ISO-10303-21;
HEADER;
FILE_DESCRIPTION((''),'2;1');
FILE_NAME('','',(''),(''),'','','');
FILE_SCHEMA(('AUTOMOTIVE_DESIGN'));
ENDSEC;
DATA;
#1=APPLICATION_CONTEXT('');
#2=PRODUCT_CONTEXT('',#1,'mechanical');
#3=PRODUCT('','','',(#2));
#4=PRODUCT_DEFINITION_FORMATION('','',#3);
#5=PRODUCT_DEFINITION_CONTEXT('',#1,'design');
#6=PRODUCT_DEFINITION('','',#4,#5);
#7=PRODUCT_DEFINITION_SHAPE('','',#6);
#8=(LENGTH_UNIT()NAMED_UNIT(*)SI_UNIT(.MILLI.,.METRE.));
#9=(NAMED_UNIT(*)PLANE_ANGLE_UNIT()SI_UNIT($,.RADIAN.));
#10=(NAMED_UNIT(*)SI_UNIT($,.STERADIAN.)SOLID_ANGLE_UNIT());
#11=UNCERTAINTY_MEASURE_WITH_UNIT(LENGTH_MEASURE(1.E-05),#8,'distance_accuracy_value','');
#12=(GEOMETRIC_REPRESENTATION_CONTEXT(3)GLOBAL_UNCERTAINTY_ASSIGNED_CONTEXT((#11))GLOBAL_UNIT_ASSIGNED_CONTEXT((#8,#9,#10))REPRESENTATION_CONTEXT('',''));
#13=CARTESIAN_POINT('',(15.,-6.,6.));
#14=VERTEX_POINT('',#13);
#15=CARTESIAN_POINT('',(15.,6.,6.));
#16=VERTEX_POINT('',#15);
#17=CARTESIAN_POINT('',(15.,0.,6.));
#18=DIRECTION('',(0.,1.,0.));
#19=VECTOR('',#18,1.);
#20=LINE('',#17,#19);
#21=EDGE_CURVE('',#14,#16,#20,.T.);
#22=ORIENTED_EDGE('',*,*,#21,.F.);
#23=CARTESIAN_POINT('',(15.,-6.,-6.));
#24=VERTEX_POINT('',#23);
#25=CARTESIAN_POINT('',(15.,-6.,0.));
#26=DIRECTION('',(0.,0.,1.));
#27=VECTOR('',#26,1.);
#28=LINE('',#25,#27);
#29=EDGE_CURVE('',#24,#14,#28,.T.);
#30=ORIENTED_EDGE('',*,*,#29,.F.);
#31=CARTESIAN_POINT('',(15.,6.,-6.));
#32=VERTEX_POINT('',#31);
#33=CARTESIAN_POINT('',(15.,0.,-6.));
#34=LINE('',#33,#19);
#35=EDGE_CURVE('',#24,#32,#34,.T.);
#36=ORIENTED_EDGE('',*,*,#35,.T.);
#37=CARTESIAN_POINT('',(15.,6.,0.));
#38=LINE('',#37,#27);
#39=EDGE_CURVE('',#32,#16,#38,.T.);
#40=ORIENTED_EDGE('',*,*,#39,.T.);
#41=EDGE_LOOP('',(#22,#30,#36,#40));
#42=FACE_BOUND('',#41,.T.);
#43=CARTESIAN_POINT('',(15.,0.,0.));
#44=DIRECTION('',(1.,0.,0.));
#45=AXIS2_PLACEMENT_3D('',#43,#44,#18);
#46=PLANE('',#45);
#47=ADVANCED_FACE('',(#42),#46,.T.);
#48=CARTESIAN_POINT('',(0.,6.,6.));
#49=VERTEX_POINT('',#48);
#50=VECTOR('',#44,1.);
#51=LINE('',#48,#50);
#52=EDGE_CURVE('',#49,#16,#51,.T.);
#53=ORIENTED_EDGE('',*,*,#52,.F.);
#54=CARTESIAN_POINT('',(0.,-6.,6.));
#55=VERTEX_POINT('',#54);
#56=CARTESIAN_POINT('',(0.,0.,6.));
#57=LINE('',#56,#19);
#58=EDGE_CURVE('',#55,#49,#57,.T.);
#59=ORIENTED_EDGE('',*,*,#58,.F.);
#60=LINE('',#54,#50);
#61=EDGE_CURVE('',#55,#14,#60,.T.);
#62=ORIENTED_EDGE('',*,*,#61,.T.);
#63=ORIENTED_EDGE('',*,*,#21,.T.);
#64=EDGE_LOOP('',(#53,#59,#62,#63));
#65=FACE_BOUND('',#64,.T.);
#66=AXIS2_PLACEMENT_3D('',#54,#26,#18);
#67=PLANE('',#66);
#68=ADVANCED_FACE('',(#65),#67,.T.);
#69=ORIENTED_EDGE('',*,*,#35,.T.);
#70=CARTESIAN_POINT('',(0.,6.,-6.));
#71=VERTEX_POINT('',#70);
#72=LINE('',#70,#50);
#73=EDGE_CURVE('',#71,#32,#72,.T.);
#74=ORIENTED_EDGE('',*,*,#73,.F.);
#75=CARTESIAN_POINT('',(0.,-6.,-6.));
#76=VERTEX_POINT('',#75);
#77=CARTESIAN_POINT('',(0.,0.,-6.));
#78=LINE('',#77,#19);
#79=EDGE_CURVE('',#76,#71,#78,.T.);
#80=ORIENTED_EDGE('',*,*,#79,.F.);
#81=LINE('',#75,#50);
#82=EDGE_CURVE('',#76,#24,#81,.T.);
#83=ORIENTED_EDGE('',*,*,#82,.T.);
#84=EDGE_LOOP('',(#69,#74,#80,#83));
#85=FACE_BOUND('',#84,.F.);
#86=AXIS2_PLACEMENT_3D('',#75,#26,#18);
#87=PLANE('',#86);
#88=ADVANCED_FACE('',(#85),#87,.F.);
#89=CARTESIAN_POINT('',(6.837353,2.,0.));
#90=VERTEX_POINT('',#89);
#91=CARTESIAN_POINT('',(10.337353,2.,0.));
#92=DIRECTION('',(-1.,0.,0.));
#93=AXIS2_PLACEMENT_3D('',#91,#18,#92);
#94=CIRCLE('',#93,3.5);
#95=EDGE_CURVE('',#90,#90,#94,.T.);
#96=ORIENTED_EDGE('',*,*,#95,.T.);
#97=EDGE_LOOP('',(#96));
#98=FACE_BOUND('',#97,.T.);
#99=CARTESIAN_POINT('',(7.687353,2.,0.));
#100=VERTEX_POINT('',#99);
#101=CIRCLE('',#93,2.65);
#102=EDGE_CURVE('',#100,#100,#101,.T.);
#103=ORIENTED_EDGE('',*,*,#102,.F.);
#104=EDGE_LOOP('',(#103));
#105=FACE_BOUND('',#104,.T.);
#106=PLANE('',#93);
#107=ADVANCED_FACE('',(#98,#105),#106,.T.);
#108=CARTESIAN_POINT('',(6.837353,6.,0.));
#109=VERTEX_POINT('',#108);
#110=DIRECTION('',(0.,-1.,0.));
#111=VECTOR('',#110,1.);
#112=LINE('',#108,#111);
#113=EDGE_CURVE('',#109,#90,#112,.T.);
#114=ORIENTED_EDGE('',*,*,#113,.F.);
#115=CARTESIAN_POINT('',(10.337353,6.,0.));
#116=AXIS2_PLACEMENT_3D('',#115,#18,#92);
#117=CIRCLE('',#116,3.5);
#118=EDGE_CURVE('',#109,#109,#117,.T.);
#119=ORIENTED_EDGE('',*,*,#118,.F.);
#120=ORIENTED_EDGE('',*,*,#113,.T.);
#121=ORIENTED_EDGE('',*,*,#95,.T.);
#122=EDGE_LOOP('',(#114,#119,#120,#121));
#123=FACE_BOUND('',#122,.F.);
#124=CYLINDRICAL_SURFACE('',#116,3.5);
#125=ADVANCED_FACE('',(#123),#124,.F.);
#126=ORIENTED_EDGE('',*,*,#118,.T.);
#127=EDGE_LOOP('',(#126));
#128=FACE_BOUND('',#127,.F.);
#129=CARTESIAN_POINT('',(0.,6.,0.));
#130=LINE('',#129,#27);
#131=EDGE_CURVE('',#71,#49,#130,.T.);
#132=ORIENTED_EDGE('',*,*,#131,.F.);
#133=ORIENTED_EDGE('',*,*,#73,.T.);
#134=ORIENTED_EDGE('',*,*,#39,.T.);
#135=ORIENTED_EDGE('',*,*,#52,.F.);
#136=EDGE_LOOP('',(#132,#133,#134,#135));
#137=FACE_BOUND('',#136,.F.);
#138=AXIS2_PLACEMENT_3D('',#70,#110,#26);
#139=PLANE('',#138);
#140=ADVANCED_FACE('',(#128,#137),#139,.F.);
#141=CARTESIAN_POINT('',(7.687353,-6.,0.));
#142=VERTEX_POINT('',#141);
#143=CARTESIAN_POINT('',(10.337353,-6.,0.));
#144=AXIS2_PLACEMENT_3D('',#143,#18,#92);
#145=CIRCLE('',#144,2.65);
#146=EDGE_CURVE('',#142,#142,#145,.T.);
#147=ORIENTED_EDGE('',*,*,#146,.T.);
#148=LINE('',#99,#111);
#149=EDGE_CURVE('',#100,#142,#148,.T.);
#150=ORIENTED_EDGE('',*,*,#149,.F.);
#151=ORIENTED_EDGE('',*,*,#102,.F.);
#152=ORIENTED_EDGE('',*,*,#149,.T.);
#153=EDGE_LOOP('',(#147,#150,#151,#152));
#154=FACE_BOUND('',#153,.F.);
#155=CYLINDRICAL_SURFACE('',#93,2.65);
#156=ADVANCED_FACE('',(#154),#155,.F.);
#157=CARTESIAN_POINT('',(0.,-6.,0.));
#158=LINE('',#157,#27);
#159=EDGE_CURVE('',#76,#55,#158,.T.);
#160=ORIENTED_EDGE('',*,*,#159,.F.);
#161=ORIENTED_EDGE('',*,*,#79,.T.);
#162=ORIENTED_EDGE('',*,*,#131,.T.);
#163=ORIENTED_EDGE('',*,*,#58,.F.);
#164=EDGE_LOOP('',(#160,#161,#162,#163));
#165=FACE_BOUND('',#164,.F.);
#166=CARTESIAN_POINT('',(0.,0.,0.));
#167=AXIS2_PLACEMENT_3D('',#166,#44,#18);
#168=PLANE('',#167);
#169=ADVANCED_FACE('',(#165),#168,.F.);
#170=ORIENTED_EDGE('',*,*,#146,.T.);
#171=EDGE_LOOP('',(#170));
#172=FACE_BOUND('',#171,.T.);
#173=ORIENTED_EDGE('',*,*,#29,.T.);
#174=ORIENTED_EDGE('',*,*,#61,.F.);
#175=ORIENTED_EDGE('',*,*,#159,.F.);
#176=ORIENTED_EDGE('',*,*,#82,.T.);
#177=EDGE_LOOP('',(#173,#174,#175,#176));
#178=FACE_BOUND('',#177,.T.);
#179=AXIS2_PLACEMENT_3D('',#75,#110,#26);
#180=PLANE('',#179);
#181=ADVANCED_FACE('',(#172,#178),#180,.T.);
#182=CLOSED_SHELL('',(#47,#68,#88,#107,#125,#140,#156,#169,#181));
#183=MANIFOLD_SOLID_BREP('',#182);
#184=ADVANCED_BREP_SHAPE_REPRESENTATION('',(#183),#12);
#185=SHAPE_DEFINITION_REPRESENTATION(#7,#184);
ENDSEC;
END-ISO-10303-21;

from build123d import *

# Parameters (mm, degrees)
F0_W     = 12
F0_H     = 12
F1_DEPTH = 15
F2_R     = 3.5
F3_DEPTH = 4
F4_R     = 2.65
F5_DEPTH = 20


with BuildPart() as f1:
    # F0 (on Right) → F1 (new body)
    with BuildSketch(Plane.YZ):
        Rectangle(F0_W, F0_H)
    extrude(amount=F1_DEPTH)

    # F2 (on face) → F3 (cut)
    with BuildSketch(Plane(origin=(0, 6, 0), x_dir=(-1, 0, 0), z_dir=(0, 1, 0))):
        with Locations((-10.337353, 0)):
            Circle(F2_R)
    extrude(amount=-F3_DEPTH, mode=Mode.SUBTRACT)

    # F4 (on face) → F5 (cut)
    with BuildSketch(Plane(origin=(0, 2, 0), x_dir=(-1, 0, 0), z_dir=(0, 1, 0))):
        with Locations((-10.337353, 0)):
            Circle(F4_R)
    extrude(amount=-F5_DEPTH, mode=Mode.SUBTRACT)


solid = f1.part
